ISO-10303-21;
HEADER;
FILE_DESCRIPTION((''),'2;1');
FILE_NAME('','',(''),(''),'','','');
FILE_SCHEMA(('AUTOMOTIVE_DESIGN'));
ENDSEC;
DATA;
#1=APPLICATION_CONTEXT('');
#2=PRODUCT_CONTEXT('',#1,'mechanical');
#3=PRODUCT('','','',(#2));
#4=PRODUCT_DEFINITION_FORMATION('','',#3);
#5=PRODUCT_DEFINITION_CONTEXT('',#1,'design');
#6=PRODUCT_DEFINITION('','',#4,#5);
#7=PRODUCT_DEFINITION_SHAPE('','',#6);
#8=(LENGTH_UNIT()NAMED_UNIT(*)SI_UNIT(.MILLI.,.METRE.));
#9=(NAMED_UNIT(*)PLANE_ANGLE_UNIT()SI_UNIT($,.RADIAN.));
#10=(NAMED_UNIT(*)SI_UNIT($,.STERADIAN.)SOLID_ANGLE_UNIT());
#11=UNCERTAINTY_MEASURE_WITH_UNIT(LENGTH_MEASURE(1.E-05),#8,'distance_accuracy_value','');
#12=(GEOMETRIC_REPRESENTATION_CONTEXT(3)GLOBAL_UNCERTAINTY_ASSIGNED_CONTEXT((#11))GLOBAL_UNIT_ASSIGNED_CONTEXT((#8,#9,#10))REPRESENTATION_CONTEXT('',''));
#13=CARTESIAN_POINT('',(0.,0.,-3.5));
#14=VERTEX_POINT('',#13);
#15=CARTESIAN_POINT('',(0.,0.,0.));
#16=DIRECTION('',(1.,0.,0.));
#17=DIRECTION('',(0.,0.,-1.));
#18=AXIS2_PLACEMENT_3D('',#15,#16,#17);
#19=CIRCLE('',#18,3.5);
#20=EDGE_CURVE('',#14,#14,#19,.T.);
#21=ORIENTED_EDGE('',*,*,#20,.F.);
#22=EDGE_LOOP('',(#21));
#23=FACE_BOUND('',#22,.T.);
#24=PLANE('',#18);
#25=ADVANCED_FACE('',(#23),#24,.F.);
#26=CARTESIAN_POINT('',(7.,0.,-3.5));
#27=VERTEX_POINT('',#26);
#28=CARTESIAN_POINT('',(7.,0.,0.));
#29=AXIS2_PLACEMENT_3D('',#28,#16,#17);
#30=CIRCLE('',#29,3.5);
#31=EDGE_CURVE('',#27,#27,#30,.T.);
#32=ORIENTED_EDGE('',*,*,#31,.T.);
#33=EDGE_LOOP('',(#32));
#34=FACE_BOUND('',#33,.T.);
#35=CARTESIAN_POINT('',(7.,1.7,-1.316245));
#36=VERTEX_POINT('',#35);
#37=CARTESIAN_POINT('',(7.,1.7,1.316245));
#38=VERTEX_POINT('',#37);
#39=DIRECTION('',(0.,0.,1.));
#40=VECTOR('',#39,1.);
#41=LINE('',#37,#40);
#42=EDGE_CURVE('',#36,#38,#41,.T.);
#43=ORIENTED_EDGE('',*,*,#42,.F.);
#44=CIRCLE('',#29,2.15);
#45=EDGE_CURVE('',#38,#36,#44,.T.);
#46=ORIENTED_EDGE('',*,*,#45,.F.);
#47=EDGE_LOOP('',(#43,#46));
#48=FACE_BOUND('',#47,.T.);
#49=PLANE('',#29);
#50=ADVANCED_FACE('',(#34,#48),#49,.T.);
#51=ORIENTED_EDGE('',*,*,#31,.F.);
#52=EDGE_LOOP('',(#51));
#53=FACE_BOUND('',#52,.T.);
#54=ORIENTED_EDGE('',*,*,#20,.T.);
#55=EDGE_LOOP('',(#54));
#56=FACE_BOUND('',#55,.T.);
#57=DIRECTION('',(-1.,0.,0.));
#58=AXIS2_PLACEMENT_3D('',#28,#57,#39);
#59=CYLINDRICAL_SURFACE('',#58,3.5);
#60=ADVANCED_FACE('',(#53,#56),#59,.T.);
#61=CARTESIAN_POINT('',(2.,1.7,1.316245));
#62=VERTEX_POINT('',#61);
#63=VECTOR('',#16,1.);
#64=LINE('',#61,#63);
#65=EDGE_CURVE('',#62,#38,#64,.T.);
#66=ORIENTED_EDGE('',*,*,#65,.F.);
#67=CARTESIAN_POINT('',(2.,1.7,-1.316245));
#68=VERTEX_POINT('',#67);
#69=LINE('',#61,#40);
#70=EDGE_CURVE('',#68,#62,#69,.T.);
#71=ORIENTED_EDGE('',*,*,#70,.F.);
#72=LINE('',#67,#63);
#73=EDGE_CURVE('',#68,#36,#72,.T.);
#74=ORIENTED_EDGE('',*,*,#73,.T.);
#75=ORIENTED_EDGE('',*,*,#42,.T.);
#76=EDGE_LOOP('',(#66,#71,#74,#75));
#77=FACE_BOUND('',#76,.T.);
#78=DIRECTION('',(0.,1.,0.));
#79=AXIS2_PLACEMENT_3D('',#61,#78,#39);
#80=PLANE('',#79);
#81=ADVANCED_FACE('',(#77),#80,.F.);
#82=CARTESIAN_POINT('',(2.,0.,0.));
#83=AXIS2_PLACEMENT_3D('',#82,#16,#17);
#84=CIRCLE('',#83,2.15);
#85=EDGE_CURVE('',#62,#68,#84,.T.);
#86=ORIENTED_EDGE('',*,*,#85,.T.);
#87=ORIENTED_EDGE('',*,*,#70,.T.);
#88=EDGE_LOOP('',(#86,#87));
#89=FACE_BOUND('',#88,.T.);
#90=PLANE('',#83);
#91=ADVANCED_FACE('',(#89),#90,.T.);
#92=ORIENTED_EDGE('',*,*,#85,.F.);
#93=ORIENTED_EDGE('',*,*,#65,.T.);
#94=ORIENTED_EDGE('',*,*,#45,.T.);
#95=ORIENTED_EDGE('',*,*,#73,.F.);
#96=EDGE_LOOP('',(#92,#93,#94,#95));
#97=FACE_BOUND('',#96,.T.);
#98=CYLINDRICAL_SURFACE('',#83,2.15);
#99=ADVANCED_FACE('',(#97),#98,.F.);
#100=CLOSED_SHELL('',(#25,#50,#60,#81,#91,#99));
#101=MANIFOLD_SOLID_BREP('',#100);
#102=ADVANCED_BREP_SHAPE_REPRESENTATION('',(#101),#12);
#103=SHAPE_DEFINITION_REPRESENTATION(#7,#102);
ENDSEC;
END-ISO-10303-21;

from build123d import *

# Parameters (mm, degrees)
SKETCH5_R           = 3.5
BOSS_EXTRUDE2_DEPTH = 7
CUT_EXTRUDE1_DEPTH  = 5


with BuildPart() as part:
    # Sketch5 → Boss-Extrude2 (new body)
    with BuildSketch(Plane(origin=(0, 0, 0), x_dir=(0, 0, -1), z_dir=(1, 0, 0))):
        Circle(SKETCH5_R)
    extrude(amount=BOSS_EXTRUDE2_DEPTH)

    # Sketch7 → Cut-Extrude1 (cut)
    with BuildSketch(Plane(origin=(7, 0, 0), x_dir=(0, 0, -1), z_dir=(1, 0, 0))):
        with BuildLine():
            Line((-1.316244658, 1.7), (1.316244658, 1.7))
            ThreePointArc((1.316244658, 1.7), (0, -2.15), (-1.316244658, 1.7))
        make_face()
    extrude(amount=-CUT_EXTRUDE1_DEPTH, mode=Mode.SUBTRACT)


solid = part.part
